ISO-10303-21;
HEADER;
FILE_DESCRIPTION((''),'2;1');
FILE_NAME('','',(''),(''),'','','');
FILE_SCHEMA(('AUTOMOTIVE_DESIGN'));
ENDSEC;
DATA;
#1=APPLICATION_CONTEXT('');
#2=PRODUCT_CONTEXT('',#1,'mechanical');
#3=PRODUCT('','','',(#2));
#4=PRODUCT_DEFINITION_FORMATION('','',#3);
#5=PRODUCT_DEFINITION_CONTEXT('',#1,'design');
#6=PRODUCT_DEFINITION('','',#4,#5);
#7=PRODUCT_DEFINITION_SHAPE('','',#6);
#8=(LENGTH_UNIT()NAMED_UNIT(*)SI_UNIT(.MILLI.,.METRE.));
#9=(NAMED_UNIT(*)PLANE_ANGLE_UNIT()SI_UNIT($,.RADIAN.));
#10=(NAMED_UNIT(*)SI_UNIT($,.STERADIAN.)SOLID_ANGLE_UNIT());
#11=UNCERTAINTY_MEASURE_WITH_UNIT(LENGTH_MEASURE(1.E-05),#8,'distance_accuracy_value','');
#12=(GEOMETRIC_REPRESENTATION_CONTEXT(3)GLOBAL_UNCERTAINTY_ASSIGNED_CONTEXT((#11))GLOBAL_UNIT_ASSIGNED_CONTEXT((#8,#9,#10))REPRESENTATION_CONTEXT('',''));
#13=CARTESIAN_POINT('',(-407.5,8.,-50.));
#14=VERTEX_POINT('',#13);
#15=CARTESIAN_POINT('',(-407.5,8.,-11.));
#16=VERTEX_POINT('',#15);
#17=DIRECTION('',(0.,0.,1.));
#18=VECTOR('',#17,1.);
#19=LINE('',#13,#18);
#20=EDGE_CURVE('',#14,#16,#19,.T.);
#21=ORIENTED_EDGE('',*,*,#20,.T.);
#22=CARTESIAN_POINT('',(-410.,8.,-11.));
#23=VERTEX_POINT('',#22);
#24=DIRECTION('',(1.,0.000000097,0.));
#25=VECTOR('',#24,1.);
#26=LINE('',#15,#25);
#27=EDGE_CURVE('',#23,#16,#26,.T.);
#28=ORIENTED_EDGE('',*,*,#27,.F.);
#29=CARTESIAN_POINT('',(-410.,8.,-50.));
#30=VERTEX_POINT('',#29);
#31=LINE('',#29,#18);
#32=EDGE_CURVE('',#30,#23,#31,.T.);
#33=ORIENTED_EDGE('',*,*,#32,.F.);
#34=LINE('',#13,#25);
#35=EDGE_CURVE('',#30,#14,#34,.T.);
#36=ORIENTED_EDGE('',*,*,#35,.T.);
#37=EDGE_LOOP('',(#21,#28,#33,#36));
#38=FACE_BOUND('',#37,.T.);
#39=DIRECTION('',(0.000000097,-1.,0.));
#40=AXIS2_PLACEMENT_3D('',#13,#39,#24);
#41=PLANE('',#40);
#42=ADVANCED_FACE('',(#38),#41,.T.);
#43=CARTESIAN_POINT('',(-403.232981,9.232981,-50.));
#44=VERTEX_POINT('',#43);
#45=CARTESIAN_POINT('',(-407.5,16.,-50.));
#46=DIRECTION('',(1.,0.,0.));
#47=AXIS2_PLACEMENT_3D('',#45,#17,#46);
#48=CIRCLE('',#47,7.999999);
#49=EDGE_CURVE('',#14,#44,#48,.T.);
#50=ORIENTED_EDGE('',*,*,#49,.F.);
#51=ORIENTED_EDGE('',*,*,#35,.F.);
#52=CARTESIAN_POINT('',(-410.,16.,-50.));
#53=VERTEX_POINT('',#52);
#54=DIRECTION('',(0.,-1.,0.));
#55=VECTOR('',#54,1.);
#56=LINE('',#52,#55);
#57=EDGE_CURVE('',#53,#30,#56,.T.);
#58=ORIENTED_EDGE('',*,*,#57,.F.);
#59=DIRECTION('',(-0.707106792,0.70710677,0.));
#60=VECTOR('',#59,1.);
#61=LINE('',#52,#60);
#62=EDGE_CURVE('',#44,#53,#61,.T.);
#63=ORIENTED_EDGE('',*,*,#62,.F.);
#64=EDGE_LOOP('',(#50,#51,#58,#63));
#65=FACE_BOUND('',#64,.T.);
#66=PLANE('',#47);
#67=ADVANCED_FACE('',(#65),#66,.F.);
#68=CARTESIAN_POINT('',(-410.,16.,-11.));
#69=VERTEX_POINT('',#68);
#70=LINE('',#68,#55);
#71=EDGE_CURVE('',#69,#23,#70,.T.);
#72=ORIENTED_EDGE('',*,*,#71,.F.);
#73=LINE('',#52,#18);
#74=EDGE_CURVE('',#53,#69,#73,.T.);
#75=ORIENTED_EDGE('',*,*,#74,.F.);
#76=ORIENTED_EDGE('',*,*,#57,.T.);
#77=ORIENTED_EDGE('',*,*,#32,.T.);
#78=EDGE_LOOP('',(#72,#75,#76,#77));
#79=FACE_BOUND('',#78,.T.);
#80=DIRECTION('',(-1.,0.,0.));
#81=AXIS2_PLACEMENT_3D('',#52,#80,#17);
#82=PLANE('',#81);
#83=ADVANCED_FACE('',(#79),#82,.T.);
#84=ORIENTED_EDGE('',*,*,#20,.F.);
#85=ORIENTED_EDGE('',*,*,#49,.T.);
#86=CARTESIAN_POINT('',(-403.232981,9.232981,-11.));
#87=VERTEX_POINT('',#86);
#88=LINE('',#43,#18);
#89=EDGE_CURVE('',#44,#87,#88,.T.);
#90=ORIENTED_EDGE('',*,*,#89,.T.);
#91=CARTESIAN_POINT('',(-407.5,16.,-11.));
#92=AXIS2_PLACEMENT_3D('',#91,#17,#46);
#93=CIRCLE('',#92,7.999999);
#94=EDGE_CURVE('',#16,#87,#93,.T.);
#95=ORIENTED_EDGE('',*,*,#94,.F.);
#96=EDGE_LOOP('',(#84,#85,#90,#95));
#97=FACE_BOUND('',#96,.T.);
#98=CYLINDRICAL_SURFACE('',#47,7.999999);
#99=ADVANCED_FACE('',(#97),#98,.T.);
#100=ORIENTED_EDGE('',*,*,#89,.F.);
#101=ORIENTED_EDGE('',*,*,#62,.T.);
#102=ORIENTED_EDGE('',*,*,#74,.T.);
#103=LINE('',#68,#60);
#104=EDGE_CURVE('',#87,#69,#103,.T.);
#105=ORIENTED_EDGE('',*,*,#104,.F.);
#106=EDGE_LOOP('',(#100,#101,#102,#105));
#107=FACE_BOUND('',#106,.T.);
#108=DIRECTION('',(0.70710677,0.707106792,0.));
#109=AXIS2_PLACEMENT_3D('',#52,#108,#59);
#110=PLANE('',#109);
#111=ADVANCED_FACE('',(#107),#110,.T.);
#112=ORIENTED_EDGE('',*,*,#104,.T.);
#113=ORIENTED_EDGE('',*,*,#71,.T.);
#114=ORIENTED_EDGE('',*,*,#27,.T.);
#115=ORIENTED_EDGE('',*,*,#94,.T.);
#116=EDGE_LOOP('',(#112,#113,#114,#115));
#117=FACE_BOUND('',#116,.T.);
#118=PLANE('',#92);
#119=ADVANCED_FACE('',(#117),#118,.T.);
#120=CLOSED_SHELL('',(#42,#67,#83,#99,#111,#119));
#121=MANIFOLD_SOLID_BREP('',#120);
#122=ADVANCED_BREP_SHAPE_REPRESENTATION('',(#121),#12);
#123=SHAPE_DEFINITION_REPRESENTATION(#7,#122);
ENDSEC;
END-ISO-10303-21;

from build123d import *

# Parameters (mm, degrees)
EXTRUDE_START   = -11
EXTRUDE_1_DEPTH = 39


with BuildPart() as part:
    # Эскиз1 → Вытянуть1 (new body)
    with BuildSketch(Plane.XY.offset(EXTRUDE_START)):
        with BuildLine():
            Line((-410, 16), (-410, 8))
            Line((-410, 8), (-407.5, 8.000000243))
            ThreePointArc((-407.5, 8.000000243), (-405.27920659, 8.314424384), (-403.232980944, 9.23298115))
            Line((-403.232980944, 9.23298115), (-410, 16))
        make_face()
    extrude(amount=-EXTRUDE_1_DEPTH)


solid = part.part
